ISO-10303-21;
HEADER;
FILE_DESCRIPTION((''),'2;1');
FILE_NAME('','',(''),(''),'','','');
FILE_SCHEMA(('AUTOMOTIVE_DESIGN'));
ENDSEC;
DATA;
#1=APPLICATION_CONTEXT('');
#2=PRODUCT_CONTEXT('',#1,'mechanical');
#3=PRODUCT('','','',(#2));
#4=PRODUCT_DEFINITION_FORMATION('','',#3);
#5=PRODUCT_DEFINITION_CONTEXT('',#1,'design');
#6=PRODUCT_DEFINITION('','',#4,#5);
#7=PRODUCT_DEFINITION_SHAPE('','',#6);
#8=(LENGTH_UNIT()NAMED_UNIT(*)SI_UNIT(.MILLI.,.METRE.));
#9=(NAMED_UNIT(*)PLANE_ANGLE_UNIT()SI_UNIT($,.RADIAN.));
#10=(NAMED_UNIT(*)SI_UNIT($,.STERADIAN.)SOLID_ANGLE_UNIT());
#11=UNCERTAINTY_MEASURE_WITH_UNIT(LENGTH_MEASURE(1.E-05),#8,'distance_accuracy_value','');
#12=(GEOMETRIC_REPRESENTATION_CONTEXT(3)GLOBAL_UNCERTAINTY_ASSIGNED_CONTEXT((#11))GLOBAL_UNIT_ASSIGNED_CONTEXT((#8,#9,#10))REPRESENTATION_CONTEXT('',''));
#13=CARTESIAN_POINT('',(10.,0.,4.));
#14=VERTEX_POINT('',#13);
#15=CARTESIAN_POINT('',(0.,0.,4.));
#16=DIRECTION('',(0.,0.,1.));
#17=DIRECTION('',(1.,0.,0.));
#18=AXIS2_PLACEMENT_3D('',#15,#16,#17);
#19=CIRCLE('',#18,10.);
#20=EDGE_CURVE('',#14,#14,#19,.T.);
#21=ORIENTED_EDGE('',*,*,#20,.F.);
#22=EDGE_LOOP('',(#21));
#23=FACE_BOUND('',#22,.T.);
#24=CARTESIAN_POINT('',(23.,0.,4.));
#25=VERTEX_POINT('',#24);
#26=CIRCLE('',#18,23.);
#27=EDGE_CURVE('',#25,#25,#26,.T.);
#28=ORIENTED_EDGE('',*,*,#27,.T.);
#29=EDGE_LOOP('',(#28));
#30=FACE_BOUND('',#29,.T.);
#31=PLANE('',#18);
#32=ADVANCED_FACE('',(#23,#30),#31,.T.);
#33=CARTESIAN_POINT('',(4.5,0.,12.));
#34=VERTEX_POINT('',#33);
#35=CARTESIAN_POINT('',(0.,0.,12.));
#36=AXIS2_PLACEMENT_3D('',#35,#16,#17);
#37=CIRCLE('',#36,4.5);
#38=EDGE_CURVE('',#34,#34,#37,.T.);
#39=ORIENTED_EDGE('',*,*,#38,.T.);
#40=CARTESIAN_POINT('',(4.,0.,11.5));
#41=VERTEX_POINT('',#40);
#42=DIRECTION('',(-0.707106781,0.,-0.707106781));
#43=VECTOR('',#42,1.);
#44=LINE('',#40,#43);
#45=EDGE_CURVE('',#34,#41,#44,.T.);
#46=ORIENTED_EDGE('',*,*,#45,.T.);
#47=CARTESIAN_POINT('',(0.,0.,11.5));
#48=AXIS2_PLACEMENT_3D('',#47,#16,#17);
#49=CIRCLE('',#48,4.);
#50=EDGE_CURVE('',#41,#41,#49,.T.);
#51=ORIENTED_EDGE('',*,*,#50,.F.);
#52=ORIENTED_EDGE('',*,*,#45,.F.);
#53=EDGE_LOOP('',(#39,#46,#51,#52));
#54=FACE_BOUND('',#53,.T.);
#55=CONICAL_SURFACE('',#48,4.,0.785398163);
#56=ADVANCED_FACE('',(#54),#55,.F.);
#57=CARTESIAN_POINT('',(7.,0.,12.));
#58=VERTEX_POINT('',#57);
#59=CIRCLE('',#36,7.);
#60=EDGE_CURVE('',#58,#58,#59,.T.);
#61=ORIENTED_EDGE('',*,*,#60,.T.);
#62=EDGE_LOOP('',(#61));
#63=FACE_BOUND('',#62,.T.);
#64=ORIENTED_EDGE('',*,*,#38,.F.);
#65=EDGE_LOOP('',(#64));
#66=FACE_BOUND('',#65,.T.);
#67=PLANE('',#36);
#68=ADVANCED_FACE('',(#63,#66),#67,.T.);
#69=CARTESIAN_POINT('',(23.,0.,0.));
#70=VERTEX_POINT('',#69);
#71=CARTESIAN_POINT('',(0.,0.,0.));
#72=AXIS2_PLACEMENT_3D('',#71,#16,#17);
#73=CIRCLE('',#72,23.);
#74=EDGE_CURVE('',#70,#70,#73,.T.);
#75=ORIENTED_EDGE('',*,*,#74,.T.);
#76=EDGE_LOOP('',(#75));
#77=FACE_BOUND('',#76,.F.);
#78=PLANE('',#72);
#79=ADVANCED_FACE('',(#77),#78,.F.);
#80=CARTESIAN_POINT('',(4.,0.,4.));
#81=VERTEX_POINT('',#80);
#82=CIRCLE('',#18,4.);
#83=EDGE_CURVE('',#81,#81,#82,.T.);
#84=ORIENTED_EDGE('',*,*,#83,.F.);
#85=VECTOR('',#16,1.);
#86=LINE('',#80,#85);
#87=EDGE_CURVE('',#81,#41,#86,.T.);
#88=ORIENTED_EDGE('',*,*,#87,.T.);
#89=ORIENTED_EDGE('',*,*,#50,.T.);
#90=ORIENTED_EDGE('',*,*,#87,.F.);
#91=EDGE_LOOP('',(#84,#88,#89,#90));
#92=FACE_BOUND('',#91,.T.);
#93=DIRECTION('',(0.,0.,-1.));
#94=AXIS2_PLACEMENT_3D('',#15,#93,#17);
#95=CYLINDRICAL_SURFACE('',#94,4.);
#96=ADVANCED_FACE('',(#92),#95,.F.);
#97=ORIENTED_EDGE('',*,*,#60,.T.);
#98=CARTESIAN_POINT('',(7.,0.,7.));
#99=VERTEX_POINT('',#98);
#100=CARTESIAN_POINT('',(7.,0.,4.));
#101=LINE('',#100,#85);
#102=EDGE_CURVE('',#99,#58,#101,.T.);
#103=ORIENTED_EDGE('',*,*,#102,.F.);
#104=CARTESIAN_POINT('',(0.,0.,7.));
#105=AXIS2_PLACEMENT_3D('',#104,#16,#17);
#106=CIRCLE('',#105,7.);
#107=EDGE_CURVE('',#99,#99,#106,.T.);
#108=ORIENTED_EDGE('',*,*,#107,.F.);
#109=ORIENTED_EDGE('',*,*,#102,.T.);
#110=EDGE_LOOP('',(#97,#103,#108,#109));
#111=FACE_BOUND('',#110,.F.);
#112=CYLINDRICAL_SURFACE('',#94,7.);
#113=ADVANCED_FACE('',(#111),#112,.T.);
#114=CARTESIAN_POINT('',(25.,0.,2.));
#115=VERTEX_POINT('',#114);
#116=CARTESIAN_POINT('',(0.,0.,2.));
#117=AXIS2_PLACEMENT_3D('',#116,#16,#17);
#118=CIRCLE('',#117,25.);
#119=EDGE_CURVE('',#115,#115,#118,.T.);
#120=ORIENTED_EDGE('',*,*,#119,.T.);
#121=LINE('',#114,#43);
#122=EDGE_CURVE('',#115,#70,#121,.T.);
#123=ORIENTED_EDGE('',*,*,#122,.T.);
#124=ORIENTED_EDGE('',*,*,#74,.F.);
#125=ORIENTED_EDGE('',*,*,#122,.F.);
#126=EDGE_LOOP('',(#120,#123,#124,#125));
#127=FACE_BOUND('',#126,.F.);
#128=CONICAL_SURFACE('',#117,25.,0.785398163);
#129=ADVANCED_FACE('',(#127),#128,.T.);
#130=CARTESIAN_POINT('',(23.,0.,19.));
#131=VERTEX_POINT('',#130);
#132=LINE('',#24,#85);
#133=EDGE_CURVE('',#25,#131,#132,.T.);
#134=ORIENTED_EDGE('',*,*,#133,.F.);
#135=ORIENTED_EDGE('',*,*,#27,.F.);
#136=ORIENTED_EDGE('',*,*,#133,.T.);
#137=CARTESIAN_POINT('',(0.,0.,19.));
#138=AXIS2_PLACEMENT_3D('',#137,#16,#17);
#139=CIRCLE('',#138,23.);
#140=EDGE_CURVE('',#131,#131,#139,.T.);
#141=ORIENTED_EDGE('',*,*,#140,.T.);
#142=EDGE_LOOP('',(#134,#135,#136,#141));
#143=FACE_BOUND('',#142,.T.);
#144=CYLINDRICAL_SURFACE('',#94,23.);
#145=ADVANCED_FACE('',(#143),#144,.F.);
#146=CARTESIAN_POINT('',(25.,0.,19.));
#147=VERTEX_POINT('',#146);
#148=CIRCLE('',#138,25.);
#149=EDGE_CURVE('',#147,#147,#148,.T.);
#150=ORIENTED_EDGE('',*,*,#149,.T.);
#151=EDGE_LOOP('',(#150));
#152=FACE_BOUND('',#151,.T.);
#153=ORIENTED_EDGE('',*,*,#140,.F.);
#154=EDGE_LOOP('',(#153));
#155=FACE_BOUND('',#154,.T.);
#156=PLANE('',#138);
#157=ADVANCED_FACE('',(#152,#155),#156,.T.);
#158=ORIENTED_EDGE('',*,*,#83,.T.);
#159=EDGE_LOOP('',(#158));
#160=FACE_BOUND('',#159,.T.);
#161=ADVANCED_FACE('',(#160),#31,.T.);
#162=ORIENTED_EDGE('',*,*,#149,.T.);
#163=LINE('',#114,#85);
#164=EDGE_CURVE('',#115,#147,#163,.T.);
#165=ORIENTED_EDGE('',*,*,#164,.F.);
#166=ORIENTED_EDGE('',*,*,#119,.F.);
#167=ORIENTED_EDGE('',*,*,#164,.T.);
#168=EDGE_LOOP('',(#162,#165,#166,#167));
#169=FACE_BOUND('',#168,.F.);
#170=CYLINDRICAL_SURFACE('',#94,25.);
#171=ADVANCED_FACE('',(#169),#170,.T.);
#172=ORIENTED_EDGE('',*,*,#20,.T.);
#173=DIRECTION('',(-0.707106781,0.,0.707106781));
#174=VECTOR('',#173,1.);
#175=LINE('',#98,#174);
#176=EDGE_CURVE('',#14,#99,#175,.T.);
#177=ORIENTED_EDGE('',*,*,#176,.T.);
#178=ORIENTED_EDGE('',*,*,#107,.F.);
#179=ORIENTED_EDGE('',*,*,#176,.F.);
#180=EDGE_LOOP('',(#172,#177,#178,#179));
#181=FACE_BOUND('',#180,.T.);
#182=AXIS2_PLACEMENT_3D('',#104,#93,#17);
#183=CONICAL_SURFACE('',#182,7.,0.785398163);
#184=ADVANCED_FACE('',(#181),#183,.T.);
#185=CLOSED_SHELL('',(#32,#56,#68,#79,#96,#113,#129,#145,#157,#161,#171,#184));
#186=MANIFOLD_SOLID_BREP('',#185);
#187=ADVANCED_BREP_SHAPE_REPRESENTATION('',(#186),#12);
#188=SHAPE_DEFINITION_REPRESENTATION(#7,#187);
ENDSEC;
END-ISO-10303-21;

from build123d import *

# Parameters (mm, degrees)
SKETCH_R        = 25
PAD_DEPTH       = 4
SKETCH001_R     = 7
SKETCH001_R_2   = 4
PAD001_DEPTH    = 8
CHAMFER_SIZE    = 2
CHAMFER001_SIZE = 3
CHAMFER002_SIZE = 0.5
SKETCH002_R     = 25
SKETCH002_R_2   = 23
PAD002_DEPTH    = 15


with BuildPart() as part:
    # Sketch → Pad (new body)
    with BuildSketch(Plane.XY):
        Circle(SKETCH_R)
    extrude(amount=PAD_DEPTH)

    # Sketch001 (on Face3 of Pad) → Pad001 (join)
    with BuildSketch(Plane.XY.offset(4)):
        Circle(SKETCH001_R)
        Circle(SKETCH001_R_2, mode=Mode.SUBTRACT)
    extrude(amount=PAD001_DEPTH)

    # Chamfer
    chamfer_edges = [part.edges().sort_by_distance(p)[0] for p in [
        (-25, 0, 0),
    ]]
    chamfer(chamfer_edges, length=CHAMFER_SIZE)

    # Chamfer001
    chamfer001_edges = [part.edges().sort_by_distance(p)[0] for p in [
        (-7, 0, 4),
    ]]
    chamfer(chamfer001_edges, length=CHAMFER001_SIZE)

    # Chamfer002
    chamfer002_edges = [part.edges().sort_by_distance(p)[0] for p in [
        (-4, 0, 12),
    ]]
    chamfer(chamfer002_edges, length=CHAMFER002_SIZE)

    # Sketch002 (on Face7 of Chamfer002) → Pad002 (join)
    with BuildSketch(Plane.XY.offset(4)):
        Circle(SKETCH002_R)
        Circle(SKETCH002_R_2, mode=Mode.SUBTRACT)
    extrude(amount=PAD002_DEPTH)


solid = part.part
